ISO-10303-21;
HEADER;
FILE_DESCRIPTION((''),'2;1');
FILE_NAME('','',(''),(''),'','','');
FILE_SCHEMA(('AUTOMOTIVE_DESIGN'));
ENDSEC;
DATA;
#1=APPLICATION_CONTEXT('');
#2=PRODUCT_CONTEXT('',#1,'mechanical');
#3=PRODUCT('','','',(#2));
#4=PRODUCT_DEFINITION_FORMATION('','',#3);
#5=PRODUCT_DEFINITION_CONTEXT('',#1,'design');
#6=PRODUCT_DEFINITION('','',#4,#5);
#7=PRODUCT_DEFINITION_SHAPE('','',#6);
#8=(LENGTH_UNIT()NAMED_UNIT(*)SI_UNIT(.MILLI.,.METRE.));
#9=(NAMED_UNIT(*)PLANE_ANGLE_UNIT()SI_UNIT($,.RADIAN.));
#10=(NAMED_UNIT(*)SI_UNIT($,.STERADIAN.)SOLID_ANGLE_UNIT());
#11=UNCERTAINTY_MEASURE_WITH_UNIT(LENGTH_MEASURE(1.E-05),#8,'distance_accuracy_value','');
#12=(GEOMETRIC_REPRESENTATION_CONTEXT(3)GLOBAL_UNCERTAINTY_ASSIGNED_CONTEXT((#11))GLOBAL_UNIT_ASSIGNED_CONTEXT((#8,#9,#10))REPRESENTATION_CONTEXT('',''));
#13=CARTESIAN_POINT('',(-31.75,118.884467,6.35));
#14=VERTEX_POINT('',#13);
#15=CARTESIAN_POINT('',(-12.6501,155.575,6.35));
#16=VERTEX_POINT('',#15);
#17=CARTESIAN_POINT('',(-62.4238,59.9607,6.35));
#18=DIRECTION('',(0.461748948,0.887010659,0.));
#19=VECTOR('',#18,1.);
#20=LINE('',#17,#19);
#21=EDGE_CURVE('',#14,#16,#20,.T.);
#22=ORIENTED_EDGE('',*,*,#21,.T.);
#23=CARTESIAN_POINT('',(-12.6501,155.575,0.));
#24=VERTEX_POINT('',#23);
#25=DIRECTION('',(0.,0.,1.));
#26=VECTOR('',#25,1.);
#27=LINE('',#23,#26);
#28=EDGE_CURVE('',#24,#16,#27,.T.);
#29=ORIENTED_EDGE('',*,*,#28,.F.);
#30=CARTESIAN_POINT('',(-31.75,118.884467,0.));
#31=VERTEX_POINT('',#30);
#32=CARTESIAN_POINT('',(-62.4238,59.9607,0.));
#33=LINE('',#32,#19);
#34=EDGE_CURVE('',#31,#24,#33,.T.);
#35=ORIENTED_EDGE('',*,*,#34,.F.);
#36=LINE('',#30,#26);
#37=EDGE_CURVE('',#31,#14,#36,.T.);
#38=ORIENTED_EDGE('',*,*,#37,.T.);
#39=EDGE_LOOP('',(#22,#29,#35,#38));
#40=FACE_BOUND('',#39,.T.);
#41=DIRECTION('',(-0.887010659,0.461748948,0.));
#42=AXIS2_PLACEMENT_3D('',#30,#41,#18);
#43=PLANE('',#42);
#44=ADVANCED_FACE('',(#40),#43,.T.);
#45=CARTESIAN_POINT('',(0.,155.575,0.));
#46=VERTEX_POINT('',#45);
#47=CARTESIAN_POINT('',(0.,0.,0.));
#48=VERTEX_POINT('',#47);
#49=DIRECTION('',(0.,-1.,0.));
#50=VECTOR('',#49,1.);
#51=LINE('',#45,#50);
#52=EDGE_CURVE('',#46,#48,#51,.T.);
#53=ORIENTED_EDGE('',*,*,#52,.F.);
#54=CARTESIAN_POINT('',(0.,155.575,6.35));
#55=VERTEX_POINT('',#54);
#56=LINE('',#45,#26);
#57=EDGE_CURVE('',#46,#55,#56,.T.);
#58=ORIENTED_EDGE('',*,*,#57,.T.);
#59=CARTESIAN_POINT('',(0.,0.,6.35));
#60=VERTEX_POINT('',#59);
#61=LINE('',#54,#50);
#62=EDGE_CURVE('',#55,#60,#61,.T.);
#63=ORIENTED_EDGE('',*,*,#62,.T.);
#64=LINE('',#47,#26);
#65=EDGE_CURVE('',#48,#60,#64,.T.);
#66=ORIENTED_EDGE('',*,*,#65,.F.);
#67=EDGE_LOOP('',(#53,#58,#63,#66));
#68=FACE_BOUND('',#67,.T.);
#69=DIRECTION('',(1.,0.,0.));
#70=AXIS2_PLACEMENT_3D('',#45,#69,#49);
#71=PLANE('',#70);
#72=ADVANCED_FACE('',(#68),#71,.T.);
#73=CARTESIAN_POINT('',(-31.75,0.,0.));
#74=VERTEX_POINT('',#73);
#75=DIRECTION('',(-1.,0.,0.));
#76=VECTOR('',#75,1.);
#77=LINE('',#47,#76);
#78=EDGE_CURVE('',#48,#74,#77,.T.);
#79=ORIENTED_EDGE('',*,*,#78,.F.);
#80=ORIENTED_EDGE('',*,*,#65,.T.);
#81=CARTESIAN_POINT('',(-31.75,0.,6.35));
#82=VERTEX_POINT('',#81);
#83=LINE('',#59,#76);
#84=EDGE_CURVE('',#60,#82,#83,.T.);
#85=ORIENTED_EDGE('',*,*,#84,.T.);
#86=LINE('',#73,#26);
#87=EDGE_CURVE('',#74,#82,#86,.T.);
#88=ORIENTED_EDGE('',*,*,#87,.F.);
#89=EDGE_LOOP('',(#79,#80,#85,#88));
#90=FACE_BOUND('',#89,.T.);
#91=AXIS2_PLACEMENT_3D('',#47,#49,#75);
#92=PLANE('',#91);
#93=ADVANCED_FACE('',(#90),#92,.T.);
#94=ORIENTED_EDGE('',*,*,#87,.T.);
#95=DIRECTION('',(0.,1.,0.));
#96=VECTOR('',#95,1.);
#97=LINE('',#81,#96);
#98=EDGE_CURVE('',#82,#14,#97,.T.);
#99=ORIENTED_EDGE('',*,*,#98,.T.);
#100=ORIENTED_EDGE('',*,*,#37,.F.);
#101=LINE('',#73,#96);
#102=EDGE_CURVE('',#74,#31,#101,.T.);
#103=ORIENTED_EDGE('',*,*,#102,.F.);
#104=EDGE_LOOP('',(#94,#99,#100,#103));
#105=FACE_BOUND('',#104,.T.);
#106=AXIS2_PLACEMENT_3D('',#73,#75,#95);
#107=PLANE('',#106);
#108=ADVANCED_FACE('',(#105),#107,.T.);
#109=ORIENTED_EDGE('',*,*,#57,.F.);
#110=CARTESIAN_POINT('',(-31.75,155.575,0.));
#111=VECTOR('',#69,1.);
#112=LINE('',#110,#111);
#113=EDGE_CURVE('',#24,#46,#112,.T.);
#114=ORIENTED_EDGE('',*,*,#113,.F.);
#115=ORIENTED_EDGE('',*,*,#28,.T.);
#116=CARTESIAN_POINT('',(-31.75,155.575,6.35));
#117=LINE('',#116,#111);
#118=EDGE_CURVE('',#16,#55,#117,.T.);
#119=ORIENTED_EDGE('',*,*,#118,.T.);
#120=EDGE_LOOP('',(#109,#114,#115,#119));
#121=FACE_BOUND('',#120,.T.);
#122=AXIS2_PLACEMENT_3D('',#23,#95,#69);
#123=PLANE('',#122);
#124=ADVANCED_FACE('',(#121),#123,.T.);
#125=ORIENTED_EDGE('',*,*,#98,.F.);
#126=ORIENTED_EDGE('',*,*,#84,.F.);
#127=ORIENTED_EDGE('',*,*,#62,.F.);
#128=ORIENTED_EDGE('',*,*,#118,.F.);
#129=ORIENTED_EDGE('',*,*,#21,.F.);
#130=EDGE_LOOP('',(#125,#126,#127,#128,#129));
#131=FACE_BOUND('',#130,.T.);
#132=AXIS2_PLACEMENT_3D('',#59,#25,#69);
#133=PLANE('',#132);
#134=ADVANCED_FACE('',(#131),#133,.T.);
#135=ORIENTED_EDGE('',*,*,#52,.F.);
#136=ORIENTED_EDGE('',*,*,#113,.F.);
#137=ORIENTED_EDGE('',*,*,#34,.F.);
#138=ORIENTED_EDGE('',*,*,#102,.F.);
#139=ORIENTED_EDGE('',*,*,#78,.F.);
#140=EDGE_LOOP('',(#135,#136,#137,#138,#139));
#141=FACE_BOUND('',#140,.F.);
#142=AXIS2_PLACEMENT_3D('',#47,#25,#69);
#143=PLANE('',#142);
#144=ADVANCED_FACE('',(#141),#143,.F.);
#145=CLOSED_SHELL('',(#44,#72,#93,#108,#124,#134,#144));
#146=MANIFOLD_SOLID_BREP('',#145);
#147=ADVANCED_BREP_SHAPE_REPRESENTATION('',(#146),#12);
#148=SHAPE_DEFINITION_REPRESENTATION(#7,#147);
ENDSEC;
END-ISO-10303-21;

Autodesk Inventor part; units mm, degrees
ref_plane "YZ Plane" through (0, 0, 0) normal (1, 0, 0) x (0, 1, 0)
ref_plane "XZ Plane" through (0, 0, 0) normal (0, 1, 0) x (-1, 0, 0)
ref_plane "XY Plane" through (0, 0, 0) normal (0, 0, 1) x (1, 0, 0)
sketch "Sketch1" plane through (0, 0, 0) normal (0, 0, 1) x (1, 0, 0)
  line L0 (0, 0) -> (-31.75, 0)
  line L1 (-31.75, 0) -> (-31.75, 155.575)
  line L2 (-31.75, 155.575) -> (0, 155.575)
  line L3 (0, 155.575) -> (0, 0)
  circle A0 centre (-53.975, 55.5625) radius 9.525 construction
  line L4 (-62.4238, 59.9607) -> (-12.6501, 155.575)
  point P0 (-31.75, 118.8844)
  dimension "d2" = 19.05
  dimension "d0" = 31.75
  dimension "d1" = 155.575
  dimension "d3" = 53.975
  dimension "d4" = 55.5625
  dimension "d5" = 27.5
extrude "Extrusion1" add sketch "Sketch1" along normal blind 6.35 contours L0 L1 L4 L2 L3
properties part number "Side Plate" material "UHMW, White"
